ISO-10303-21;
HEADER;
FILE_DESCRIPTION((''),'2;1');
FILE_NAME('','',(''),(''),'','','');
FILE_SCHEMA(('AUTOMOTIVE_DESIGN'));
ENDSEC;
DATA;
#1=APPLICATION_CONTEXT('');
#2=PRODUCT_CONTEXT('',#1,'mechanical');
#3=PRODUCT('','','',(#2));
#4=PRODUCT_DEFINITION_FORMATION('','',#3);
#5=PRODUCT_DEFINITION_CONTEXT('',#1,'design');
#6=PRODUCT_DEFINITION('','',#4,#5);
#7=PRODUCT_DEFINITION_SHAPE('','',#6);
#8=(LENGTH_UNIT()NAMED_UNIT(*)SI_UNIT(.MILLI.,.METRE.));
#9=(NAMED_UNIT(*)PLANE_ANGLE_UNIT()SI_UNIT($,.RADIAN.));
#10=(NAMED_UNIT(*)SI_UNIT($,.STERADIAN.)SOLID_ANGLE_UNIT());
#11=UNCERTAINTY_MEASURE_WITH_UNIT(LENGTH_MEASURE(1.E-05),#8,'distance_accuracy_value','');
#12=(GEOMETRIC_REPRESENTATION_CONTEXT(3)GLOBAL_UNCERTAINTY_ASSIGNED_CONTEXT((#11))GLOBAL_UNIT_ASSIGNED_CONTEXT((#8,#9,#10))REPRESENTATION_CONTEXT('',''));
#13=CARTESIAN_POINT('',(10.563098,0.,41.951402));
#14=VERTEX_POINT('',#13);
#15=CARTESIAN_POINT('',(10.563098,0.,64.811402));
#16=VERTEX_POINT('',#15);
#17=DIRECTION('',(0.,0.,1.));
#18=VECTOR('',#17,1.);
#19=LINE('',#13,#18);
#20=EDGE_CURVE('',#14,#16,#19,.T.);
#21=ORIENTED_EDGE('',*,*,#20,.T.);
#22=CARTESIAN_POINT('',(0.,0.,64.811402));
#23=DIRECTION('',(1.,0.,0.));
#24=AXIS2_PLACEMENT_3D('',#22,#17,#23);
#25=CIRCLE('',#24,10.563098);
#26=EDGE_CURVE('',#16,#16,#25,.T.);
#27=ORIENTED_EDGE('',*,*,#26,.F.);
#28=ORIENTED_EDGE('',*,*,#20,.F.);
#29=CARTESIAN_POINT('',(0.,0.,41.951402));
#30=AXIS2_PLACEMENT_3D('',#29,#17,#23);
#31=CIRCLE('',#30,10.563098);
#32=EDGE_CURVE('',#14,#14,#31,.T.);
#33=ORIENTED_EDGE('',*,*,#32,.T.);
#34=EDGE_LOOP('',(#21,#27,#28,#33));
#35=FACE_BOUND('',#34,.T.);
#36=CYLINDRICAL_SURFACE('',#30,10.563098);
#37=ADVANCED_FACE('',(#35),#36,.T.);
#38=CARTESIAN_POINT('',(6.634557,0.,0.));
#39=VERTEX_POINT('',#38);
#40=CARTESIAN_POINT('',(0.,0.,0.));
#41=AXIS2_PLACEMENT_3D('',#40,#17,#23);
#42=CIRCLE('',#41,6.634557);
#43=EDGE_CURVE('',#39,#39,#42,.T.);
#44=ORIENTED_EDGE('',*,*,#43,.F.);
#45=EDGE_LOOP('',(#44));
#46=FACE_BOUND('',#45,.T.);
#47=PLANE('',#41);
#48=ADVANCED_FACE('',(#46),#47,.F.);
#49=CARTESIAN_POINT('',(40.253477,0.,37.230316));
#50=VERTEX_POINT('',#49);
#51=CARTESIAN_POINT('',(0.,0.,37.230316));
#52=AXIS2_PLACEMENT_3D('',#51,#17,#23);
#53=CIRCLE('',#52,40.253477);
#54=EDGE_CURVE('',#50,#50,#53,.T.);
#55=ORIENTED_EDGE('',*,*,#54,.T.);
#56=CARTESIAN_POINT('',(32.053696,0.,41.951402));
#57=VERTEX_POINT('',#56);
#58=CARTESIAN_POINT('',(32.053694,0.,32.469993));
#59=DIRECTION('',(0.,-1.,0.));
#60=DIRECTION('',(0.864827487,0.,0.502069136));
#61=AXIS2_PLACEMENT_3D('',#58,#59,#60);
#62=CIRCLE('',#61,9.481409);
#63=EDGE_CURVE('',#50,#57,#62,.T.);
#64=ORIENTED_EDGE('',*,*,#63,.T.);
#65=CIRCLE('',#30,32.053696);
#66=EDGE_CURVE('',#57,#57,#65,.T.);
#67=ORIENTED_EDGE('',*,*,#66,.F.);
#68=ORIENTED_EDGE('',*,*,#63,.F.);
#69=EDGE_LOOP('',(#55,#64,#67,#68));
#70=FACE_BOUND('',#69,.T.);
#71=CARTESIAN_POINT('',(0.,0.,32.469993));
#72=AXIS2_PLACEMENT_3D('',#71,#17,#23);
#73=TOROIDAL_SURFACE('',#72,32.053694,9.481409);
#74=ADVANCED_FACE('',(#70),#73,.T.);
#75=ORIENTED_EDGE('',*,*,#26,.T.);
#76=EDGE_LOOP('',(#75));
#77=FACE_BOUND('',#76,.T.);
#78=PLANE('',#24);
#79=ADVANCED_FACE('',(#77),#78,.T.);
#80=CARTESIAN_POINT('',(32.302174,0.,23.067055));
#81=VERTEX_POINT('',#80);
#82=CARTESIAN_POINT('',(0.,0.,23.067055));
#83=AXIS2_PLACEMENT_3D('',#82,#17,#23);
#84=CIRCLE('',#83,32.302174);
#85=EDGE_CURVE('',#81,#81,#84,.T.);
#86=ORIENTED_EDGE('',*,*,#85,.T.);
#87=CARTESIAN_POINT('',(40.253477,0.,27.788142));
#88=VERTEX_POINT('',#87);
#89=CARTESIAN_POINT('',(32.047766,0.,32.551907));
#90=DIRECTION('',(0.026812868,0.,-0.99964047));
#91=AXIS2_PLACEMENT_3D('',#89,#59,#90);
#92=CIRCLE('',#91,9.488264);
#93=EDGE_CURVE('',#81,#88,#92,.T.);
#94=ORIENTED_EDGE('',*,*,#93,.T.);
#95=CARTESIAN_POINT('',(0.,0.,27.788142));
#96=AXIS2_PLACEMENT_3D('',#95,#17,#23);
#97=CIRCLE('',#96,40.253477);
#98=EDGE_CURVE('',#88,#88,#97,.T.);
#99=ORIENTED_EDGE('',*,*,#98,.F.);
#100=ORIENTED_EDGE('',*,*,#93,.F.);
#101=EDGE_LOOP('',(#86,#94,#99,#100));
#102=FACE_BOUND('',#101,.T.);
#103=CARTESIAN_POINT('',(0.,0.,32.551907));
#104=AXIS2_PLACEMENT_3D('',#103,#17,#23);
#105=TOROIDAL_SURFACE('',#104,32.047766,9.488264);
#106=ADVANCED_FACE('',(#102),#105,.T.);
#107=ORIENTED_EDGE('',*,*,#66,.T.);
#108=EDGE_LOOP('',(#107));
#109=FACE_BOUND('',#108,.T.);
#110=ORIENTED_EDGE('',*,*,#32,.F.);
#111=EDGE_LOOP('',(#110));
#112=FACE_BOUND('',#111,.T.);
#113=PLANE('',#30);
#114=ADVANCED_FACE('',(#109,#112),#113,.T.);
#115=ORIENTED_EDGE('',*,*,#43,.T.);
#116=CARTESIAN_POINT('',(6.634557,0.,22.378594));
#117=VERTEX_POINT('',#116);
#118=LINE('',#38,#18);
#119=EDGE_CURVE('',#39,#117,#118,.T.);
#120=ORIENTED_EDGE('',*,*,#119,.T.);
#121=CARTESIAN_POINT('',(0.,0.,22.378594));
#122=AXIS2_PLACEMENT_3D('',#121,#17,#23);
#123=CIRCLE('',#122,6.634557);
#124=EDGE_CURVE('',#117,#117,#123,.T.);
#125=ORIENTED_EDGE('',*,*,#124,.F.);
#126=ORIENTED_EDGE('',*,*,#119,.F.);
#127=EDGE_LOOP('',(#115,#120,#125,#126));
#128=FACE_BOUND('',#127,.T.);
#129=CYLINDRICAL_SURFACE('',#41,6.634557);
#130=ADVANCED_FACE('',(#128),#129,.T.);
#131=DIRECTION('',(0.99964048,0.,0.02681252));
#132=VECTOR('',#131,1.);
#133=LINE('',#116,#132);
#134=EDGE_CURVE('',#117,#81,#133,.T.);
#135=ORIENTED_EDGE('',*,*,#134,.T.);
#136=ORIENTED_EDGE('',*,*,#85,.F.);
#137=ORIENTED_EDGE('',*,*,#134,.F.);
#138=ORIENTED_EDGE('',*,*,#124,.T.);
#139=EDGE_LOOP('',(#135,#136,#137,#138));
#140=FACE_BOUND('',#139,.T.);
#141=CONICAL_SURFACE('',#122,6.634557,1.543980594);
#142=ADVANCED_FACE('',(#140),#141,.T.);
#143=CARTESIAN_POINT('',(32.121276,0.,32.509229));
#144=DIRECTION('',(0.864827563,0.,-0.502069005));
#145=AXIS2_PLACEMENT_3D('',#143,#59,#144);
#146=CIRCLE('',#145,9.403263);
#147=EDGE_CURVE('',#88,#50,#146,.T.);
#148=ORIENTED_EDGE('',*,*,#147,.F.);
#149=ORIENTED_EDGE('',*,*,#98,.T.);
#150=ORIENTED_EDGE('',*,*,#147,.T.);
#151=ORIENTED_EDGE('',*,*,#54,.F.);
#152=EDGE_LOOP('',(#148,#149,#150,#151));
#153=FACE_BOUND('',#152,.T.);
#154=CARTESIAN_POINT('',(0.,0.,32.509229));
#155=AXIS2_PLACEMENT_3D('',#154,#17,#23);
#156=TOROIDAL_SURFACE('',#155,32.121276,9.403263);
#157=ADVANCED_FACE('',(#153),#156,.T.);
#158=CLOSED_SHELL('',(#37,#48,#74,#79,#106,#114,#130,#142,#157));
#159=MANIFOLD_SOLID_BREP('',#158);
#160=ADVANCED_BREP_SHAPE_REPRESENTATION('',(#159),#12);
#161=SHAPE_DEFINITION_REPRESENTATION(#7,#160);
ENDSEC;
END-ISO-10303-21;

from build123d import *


with BuildPart() as f1:
    # F0 (on Front) → F1 (revolve)
    with BuildSketch(Plane.XZ):
        with BuildLine():
            Line((10.563098, 64.811402), (0, 64.811402))
            Line((0, 64.811402), (0, 0))
            Line((0, 0), (6.634557, 0))
            Line((6.634557, 0), (6.634557, 22.378594))
            Line((6.634557, 22.378594), (32.302174, 23.067055))
            ThreePointArc((32.302174, 23.067055), (36.891893, 24.393379), (40.253477, 27.788142))
            ThreePointArc((40.253477, 27.788142), (41.524539, 32.509229), (40.253477, 37.230316))
            ThreePointArc((40.253477, 37.230316), (36.78458, 40.686795), (32.053696, 41.951402))
            Line((32.053696, 41.951402), (10.563098, 41.951402))
            Line((10.563098, 41.951402), (10.563098, 64.811402))
        make_face()
    revolve(axis=Axis((0, 0, 32.405701), (0, 0, 1)))


solid = f1.part
